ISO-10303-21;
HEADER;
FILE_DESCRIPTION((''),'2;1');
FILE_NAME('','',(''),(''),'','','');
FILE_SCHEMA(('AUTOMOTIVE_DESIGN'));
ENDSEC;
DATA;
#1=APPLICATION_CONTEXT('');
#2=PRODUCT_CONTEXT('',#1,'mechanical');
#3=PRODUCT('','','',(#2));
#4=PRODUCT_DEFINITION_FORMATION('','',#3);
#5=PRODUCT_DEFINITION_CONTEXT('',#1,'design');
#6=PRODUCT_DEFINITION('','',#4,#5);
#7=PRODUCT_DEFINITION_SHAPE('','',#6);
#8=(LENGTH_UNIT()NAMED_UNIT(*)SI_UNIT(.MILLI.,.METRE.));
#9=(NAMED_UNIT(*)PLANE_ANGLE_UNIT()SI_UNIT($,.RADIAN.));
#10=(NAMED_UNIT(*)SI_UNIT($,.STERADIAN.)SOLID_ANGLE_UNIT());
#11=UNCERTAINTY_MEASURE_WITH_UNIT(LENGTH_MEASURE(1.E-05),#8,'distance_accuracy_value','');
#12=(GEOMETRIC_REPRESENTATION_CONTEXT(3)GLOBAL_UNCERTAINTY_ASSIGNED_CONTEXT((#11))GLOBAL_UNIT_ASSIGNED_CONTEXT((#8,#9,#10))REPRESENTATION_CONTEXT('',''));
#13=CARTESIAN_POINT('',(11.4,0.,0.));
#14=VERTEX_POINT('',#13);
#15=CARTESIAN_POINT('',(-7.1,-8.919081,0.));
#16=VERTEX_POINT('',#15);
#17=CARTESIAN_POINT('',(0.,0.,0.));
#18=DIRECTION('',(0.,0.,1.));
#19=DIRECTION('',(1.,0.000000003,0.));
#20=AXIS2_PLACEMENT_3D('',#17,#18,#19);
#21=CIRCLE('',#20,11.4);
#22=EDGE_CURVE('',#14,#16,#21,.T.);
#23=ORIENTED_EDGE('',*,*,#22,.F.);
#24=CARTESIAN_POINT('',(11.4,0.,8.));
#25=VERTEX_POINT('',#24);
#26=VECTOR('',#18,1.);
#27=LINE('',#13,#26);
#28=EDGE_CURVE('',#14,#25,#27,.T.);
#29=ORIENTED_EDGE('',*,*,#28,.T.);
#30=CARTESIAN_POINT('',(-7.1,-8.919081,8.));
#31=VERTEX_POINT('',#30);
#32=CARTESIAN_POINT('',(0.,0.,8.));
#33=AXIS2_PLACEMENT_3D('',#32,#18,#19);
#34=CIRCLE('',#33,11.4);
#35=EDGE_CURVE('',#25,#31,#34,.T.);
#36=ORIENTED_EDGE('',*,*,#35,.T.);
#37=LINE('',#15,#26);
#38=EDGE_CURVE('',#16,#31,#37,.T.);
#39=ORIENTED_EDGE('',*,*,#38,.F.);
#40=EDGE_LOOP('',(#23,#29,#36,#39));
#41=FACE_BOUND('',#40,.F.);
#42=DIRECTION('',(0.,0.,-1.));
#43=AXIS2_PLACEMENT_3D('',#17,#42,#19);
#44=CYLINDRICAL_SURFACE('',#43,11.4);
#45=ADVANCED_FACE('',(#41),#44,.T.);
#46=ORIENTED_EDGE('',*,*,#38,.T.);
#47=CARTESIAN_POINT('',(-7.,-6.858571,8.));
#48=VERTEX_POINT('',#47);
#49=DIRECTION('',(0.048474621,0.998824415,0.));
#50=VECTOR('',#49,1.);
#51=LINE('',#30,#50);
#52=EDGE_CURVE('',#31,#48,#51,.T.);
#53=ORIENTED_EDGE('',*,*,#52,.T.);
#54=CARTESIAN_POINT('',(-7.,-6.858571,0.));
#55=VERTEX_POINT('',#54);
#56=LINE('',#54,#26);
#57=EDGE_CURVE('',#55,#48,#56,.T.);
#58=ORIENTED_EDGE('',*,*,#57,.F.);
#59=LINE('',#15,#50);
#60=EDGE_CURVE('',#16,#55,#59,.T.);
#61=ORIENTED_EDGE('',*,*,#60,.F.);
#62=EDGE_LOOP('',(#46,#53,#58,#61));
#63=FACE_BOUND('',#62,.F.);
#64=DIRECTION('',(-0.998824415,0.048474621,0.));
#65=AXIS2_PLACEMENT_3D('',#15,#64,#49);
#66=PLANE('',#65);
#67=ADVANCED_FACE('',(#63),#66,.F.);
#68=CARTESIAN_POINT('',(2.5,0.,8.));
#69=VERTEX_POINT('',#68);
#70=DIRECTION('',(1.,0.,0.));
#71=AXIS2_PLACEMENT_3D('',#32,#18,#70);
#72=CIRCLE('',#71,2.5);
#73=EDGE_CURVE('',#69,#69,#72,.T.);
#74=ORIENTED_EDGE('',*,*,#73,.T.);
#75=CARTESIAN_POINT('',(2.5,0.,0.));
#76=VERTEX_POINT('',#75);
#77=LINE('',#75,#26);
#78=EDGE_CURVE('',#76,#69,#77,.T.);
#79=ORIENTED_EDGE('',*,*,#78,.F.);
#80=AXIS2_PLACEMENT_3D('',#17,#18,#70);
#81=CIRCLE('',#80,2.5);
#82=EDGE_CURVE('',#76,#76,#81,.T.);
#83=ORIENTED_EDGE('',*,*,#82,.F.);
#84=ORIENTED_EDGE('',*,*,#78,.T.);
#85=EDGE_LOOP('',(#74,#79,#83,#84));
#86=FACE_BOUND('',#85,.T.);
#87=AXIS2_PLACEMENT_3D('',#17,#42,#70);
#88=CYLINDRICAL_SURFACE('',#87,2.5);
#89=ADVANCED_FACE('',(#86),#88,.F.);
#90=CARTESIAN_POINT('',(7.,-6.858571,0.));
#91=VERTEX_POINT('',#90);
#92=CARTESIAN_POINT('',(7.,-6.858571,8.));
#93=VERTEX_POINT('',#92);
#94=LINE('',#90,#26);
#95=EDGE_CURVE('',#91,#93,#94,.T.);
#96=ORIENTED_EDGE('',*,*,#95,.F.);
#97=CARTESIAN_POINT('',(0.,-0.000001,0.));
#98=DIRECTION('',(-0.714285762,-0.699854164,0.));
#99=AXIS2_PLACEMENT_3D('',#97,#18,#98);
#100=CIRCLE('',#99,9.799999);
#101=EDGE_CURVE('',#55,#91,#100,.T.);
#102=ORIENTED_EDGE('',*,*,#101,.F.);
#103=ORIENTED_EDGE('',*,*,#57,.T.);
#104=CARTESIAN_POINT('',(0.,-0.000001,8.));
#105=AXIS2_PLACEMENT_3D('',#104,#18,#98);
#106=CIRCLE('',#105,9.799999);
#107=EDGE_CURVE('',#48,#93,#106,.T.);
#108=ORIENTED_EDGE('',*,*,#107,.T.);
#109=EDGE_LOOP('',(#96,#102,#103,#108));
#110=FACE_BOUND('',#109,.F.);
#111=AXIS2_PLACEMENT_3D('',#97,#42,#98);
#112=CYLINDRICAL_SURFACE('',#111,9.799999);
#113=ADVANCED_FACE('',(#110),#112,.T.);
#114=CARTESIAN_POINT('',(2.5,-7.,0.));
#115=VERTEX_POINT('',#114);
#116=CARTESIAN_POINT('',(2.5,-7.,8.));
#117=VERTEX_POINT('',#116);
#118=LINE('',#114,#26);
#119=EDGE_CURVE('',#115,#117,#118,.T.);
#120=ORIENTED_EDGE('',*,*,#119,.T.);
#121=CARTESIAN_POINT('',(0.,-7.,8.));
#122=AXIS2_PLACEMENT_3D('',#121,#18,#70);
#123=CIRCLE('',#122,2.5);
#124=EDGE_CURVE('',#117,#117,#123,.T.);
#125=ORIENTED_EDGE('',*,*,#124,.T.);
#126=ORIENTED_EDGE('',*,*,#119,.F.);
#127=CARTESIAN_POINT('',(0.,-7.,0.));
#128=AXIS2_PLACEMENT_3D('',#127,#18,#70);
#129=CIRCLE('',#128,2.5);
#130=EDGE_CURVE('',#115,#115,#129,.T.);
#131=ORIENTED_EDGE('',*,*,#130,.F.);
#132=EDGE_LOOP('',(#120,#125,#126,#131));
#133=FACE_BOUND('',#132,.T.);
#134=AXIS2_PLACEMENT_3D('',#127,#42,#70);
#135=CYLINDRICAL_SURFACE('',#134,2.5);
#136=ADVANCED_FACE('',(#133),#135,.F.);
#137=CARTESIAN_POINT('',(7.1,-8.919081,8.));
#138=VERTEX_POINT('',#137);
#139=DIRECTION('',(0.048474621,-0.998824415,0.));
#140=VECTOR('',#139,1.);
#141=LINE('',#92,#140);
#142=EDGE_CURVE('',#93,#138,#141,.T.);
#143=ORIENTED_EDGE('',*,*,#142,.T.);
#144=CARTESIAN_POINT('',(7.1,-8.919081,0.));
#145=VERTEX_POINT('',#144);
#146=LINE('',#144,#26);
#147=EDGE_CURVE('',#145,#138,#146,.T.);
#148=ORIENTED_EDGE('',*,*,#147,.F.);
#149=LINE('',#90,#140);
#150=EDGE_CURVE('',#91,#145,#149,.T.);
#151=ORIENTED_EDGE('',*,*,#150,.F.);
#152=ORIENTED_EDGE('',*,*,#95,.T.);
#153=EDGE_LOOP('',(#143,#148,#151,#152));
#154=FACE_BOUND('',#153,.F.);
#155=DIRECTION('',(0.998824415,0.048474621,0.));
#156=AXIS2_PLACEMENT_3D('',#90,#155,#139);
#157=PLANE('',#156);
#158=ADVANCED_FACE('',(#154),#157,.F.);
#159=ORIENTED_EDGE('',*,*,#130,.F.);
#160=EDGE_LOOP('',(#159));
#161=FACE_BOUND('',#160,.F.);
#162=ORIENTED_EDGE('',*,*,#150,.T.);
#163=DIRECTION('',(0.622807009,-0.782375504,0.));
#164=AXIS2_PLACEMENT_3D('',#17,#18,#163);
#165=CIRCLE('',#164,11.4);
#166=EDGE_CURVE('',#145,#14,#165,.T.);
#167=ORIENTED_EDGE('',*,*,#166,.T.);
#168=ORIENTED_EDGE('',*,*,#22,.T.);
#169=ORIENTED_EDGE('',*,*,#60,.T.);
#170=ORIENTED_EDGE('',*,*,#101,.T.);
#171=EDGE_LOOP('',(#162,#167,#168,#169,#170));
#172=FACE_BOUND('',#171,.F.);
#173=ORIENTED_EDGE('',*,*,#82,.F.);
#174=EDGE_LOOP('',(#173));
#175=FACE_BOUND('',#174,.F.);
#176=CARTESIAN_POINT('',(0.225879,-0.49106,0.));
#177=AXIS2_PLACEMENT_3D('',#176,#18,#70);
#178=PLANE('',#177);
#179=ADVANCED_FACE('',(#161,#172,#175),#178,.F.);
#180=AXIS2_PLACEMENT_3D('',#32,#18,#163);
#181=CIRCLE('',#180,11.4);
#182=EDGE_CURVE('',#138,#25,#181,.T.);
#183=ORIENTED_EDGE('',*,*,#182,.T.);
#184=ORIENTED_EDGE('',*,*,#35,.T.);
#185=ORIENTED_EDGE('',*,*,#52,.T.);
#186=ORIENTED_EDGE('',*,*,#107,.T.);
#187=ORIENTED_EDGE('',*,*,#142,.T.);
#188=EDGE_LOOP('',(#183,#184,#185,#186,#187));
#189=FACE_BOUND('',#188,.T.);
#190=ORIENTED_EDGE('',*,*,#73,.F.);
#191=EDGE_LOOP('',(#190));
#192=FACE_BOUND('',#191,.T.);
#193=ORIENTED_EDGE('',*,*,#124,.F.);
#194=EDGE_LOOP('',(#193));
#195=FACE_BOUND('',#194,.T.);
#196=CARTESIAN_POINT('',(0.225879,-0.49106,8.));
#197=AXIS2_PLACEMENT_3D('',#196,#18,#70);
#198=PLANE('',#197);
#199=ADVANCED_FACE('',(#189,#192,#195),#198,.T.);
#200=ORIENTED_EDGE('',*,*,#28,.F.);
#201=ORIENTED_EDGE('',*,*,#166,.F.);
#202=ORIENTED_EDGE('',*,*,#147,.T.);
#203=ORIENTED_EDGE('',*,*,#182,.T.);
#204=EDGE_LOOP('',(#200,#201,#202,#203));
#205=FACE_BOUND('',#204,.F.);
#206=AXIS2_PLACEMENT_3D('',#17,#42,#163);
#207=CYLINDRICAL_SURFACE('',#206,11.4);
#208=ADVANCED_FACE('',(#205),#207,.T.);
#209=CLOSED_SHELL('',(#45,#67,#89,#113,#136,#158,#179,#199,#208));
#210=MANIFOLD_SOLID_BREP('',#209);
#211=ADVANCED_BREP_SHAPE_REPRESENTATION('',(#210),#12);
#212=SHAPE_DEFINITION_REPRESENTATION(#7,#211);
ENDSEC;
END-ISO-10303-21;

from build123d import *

# Parameters (mm, degrees)
F0_R     = 4.25
F0_R_2   = 2.5
F1_DEPTH = 8
F2_DEPTH = 8


with BuildPart() as f1:
    # F0 (on Top) → F1 (new body)
    with BuildSketch(Plane.XY):
        Circle(F0_R)
        Circle(F0_R_2, mode=Mode.SUBTRACT)
    extrude(amount=F1_DEPTH)

    # F0 (on Top) → F2 (join)
    with BuildSketch(Plane.XY):
        with BuildLine():
            ThreePointArc((9.8, 0), (-3.704052, 9.073037), (-7, -6.858571))
            ThreePointArc((-7, -6.858571), (0, -9.8), (7, -6.858571))
            ThreePointArc((7, -6.858571), (9.073037, -3.704052), (9.8, 0))
        make_face()
        with Locations((0, -7)):
            Circle(F0_R_2, mode=Mode.SUBTRACT)
        Circle(F0_R, mode=Mode.SUBTRACT)
        with BuildLine():
            ThreePointArc((7.1, -8.919081), (10.268885, -4.950758), (11.4, 0))
            ThreePointArc((11.4, 0), (-4.950758, 10.268885), (-7.1, -8.919081))
            Line((-7.1, -8.919081), (-7, -6.858571))
            ThreePointArc((-7, -6.858571), (-3.704052, 9.073037), (9.8, 0))
            ThreePointArc((9.8, 0), (9.073037, -3.704052), (7, -6.858571))
            Line((7, -6.858571), (7.1, -8.919081))
        make_face()
    extrude(amount=F2_DEPTH)


solid = f1.part
